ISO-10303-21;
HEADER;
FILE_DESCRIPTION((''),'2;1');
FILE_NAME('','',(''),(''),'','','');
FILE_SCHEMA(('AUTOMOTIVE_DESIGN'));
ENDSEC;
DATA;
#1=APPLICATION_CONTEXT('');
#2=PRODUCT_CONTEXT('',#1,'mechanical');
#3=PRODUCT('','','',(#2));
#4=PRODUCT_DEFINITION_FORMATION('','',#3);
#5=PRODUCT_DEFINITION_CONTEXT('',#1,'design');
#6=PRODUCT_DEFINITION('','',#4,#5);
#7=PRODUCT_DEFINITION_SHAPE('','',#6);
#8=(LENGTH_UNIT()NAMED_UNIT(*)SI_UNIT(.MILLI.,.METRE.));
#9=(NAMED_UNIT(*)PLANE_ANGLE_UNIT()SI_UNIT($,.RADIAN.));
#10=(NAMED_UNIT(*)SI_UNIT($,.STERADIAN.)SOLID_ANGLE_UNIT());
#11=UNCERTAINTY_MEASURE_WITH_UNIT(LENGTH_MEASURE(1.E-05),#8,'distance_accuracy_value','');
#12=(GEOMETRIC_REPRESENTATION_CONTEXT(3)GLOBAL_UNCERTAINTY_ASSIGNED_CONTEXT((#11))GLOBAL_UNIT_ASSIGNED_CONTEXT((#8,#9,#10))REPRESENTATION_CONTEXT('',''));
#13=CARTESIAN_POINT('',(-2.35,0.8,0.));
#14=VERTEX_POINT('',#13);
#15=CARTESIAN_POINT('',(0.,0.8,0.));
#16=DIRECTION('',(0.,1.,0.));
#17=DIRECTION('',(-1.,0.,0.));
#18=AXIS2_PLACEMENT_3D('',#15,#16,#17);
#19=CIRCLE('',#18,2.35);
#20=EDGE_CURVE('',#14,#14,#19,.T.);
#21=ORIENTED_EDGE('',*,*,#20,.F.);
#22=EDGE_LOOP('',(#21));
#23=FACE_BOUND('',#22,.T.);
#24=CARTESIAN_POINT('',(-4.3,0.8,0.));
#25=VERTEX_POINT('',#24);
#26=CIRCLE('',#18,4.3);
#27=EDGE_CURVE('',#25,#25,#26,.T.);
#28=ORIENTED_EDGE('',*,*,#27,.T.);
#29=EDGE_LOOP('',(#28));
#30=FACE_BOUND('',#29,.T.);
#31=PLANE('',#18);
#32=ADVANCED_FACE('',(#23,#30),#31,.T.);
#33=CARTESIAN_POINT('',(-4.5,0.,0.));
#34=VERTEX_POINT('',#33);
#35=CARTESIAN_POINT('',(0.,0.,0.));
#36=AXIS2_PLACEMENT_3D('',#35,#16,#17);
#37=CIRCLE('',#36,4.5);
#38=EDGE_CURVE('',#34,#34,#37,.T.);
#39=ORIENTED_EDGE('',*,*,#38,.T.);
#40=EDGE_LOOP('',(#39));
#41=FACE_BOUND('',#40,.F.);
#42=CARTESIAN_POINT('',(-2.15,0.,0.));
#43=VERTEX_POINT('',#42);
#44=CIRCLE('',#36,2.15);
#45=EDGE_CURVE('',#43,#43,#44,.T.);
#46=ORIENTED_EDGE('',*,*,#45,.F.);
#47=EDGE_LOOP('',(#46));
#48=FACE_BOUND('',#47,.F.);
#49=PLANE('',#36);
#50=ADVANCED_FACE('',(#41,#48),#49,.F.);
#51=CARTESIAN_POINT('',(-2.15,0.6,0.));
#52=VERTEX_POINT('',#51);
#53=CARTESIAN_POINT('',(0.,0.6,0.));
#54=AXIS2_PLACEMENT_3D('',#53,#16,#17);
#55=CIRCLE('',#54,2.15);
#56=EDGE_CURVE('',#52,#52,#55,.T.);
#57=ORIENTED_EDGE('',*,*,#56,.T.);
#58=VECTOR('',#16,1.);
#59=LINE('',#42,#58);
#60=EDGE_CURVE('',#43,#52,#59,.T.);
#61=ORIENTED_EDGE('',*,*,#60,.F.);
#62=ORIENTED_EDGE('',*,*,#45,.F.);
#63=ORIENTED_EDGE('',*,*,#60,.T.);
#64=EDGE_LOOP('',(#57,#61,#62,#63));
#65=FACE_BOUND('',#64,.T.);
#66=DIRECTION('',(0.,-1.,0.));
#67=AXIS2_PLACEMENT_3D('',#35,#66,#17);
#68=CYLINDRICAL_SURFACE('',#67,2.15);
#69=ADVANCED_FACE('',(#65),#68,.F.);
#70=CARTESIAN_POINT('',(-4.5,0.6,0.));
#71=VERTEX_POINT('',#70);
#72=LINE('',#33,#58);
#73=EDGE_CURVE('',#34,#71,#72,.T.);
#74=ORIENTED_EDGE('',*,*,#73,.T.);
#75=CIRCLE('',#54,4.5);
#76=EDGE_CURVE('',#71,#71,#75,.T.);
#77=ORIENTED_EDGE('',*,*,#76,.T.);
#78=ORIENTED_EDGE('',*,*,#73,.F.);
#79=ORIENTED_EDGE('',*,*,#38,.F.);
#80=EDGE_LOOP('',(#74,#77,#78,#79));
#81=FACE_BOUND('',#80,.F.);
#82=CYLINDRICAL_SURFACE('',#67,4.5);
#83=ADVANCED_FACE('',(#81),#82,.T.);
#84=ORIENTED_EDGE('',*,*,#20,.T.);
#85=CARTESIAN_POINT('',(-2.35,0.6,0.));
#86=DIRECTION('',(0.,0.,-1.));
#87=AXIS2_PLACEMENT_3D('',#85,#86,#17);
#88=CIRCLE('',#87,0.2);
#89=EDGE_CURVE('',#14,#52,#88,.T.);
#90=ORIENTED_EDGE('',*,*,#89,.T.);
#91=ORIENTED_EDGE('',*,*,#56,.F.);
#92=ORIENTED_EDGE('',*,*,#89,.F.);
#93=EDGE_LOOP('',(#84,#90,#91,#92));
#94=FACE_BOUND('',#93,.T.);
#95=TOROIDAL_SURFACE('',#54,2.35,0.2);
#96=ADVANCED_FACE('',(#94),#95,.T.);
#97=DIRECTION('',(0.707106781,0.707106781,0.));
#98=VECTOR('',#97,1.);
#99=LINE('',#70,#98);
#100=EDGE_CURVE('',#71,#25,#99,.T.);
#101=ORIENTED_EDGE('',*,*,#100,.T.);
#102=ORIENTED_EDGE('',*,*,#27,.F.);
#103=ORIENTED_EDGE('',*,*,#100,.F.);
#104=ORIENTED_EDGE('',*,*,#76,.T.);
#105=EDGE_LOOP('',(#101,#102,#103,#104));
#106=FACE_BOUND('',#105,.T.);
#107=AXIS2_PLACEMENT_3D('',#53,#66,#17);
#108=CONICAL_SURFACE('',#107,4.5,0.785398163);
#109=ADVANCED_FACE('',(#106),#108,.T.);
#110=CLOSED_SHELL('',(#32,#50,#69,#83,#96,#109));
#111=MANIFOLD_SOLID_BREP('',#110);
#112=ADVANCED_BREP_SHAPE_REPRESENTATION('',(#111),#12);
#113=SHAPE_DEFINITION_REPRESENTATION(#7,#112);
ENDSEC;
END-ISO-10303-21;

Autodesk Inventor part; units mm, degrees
ref_plane "YZ Plane" through (0, 0, 0) normal (1, 0, 0) x (0, 1, 0)
ref_plane "XZ Plane" through (0, 0, 0) normal (0, 1, 0) x (-1, 0, 0)
ref_plane "XY Plane" through (0, 0, 0) normal (0, 0, 1) x (1, 0, 0)
sketch "Sketch1" plane through (0, 0, 0) normal (0, 1, 0) x (-1, 0, 0)
  circle A0 centre (0, 0) radius 2.15
  circle A1 centre (0, 0) radius 4.5
  dimension "d0" = 4.3
  dimension "d1" = 9
extrude "Extrusion1" add sketch "Sketch1" along normal blind 0.8
chamfer "Chamfer1" distance 0.2 angle 45 1 edges at (4.5, 0.8, 0)
fillet "Fillet1" radius 0.2 1 edges at (2.15, 0.8, 0)
properties part number "GolillaM4"
